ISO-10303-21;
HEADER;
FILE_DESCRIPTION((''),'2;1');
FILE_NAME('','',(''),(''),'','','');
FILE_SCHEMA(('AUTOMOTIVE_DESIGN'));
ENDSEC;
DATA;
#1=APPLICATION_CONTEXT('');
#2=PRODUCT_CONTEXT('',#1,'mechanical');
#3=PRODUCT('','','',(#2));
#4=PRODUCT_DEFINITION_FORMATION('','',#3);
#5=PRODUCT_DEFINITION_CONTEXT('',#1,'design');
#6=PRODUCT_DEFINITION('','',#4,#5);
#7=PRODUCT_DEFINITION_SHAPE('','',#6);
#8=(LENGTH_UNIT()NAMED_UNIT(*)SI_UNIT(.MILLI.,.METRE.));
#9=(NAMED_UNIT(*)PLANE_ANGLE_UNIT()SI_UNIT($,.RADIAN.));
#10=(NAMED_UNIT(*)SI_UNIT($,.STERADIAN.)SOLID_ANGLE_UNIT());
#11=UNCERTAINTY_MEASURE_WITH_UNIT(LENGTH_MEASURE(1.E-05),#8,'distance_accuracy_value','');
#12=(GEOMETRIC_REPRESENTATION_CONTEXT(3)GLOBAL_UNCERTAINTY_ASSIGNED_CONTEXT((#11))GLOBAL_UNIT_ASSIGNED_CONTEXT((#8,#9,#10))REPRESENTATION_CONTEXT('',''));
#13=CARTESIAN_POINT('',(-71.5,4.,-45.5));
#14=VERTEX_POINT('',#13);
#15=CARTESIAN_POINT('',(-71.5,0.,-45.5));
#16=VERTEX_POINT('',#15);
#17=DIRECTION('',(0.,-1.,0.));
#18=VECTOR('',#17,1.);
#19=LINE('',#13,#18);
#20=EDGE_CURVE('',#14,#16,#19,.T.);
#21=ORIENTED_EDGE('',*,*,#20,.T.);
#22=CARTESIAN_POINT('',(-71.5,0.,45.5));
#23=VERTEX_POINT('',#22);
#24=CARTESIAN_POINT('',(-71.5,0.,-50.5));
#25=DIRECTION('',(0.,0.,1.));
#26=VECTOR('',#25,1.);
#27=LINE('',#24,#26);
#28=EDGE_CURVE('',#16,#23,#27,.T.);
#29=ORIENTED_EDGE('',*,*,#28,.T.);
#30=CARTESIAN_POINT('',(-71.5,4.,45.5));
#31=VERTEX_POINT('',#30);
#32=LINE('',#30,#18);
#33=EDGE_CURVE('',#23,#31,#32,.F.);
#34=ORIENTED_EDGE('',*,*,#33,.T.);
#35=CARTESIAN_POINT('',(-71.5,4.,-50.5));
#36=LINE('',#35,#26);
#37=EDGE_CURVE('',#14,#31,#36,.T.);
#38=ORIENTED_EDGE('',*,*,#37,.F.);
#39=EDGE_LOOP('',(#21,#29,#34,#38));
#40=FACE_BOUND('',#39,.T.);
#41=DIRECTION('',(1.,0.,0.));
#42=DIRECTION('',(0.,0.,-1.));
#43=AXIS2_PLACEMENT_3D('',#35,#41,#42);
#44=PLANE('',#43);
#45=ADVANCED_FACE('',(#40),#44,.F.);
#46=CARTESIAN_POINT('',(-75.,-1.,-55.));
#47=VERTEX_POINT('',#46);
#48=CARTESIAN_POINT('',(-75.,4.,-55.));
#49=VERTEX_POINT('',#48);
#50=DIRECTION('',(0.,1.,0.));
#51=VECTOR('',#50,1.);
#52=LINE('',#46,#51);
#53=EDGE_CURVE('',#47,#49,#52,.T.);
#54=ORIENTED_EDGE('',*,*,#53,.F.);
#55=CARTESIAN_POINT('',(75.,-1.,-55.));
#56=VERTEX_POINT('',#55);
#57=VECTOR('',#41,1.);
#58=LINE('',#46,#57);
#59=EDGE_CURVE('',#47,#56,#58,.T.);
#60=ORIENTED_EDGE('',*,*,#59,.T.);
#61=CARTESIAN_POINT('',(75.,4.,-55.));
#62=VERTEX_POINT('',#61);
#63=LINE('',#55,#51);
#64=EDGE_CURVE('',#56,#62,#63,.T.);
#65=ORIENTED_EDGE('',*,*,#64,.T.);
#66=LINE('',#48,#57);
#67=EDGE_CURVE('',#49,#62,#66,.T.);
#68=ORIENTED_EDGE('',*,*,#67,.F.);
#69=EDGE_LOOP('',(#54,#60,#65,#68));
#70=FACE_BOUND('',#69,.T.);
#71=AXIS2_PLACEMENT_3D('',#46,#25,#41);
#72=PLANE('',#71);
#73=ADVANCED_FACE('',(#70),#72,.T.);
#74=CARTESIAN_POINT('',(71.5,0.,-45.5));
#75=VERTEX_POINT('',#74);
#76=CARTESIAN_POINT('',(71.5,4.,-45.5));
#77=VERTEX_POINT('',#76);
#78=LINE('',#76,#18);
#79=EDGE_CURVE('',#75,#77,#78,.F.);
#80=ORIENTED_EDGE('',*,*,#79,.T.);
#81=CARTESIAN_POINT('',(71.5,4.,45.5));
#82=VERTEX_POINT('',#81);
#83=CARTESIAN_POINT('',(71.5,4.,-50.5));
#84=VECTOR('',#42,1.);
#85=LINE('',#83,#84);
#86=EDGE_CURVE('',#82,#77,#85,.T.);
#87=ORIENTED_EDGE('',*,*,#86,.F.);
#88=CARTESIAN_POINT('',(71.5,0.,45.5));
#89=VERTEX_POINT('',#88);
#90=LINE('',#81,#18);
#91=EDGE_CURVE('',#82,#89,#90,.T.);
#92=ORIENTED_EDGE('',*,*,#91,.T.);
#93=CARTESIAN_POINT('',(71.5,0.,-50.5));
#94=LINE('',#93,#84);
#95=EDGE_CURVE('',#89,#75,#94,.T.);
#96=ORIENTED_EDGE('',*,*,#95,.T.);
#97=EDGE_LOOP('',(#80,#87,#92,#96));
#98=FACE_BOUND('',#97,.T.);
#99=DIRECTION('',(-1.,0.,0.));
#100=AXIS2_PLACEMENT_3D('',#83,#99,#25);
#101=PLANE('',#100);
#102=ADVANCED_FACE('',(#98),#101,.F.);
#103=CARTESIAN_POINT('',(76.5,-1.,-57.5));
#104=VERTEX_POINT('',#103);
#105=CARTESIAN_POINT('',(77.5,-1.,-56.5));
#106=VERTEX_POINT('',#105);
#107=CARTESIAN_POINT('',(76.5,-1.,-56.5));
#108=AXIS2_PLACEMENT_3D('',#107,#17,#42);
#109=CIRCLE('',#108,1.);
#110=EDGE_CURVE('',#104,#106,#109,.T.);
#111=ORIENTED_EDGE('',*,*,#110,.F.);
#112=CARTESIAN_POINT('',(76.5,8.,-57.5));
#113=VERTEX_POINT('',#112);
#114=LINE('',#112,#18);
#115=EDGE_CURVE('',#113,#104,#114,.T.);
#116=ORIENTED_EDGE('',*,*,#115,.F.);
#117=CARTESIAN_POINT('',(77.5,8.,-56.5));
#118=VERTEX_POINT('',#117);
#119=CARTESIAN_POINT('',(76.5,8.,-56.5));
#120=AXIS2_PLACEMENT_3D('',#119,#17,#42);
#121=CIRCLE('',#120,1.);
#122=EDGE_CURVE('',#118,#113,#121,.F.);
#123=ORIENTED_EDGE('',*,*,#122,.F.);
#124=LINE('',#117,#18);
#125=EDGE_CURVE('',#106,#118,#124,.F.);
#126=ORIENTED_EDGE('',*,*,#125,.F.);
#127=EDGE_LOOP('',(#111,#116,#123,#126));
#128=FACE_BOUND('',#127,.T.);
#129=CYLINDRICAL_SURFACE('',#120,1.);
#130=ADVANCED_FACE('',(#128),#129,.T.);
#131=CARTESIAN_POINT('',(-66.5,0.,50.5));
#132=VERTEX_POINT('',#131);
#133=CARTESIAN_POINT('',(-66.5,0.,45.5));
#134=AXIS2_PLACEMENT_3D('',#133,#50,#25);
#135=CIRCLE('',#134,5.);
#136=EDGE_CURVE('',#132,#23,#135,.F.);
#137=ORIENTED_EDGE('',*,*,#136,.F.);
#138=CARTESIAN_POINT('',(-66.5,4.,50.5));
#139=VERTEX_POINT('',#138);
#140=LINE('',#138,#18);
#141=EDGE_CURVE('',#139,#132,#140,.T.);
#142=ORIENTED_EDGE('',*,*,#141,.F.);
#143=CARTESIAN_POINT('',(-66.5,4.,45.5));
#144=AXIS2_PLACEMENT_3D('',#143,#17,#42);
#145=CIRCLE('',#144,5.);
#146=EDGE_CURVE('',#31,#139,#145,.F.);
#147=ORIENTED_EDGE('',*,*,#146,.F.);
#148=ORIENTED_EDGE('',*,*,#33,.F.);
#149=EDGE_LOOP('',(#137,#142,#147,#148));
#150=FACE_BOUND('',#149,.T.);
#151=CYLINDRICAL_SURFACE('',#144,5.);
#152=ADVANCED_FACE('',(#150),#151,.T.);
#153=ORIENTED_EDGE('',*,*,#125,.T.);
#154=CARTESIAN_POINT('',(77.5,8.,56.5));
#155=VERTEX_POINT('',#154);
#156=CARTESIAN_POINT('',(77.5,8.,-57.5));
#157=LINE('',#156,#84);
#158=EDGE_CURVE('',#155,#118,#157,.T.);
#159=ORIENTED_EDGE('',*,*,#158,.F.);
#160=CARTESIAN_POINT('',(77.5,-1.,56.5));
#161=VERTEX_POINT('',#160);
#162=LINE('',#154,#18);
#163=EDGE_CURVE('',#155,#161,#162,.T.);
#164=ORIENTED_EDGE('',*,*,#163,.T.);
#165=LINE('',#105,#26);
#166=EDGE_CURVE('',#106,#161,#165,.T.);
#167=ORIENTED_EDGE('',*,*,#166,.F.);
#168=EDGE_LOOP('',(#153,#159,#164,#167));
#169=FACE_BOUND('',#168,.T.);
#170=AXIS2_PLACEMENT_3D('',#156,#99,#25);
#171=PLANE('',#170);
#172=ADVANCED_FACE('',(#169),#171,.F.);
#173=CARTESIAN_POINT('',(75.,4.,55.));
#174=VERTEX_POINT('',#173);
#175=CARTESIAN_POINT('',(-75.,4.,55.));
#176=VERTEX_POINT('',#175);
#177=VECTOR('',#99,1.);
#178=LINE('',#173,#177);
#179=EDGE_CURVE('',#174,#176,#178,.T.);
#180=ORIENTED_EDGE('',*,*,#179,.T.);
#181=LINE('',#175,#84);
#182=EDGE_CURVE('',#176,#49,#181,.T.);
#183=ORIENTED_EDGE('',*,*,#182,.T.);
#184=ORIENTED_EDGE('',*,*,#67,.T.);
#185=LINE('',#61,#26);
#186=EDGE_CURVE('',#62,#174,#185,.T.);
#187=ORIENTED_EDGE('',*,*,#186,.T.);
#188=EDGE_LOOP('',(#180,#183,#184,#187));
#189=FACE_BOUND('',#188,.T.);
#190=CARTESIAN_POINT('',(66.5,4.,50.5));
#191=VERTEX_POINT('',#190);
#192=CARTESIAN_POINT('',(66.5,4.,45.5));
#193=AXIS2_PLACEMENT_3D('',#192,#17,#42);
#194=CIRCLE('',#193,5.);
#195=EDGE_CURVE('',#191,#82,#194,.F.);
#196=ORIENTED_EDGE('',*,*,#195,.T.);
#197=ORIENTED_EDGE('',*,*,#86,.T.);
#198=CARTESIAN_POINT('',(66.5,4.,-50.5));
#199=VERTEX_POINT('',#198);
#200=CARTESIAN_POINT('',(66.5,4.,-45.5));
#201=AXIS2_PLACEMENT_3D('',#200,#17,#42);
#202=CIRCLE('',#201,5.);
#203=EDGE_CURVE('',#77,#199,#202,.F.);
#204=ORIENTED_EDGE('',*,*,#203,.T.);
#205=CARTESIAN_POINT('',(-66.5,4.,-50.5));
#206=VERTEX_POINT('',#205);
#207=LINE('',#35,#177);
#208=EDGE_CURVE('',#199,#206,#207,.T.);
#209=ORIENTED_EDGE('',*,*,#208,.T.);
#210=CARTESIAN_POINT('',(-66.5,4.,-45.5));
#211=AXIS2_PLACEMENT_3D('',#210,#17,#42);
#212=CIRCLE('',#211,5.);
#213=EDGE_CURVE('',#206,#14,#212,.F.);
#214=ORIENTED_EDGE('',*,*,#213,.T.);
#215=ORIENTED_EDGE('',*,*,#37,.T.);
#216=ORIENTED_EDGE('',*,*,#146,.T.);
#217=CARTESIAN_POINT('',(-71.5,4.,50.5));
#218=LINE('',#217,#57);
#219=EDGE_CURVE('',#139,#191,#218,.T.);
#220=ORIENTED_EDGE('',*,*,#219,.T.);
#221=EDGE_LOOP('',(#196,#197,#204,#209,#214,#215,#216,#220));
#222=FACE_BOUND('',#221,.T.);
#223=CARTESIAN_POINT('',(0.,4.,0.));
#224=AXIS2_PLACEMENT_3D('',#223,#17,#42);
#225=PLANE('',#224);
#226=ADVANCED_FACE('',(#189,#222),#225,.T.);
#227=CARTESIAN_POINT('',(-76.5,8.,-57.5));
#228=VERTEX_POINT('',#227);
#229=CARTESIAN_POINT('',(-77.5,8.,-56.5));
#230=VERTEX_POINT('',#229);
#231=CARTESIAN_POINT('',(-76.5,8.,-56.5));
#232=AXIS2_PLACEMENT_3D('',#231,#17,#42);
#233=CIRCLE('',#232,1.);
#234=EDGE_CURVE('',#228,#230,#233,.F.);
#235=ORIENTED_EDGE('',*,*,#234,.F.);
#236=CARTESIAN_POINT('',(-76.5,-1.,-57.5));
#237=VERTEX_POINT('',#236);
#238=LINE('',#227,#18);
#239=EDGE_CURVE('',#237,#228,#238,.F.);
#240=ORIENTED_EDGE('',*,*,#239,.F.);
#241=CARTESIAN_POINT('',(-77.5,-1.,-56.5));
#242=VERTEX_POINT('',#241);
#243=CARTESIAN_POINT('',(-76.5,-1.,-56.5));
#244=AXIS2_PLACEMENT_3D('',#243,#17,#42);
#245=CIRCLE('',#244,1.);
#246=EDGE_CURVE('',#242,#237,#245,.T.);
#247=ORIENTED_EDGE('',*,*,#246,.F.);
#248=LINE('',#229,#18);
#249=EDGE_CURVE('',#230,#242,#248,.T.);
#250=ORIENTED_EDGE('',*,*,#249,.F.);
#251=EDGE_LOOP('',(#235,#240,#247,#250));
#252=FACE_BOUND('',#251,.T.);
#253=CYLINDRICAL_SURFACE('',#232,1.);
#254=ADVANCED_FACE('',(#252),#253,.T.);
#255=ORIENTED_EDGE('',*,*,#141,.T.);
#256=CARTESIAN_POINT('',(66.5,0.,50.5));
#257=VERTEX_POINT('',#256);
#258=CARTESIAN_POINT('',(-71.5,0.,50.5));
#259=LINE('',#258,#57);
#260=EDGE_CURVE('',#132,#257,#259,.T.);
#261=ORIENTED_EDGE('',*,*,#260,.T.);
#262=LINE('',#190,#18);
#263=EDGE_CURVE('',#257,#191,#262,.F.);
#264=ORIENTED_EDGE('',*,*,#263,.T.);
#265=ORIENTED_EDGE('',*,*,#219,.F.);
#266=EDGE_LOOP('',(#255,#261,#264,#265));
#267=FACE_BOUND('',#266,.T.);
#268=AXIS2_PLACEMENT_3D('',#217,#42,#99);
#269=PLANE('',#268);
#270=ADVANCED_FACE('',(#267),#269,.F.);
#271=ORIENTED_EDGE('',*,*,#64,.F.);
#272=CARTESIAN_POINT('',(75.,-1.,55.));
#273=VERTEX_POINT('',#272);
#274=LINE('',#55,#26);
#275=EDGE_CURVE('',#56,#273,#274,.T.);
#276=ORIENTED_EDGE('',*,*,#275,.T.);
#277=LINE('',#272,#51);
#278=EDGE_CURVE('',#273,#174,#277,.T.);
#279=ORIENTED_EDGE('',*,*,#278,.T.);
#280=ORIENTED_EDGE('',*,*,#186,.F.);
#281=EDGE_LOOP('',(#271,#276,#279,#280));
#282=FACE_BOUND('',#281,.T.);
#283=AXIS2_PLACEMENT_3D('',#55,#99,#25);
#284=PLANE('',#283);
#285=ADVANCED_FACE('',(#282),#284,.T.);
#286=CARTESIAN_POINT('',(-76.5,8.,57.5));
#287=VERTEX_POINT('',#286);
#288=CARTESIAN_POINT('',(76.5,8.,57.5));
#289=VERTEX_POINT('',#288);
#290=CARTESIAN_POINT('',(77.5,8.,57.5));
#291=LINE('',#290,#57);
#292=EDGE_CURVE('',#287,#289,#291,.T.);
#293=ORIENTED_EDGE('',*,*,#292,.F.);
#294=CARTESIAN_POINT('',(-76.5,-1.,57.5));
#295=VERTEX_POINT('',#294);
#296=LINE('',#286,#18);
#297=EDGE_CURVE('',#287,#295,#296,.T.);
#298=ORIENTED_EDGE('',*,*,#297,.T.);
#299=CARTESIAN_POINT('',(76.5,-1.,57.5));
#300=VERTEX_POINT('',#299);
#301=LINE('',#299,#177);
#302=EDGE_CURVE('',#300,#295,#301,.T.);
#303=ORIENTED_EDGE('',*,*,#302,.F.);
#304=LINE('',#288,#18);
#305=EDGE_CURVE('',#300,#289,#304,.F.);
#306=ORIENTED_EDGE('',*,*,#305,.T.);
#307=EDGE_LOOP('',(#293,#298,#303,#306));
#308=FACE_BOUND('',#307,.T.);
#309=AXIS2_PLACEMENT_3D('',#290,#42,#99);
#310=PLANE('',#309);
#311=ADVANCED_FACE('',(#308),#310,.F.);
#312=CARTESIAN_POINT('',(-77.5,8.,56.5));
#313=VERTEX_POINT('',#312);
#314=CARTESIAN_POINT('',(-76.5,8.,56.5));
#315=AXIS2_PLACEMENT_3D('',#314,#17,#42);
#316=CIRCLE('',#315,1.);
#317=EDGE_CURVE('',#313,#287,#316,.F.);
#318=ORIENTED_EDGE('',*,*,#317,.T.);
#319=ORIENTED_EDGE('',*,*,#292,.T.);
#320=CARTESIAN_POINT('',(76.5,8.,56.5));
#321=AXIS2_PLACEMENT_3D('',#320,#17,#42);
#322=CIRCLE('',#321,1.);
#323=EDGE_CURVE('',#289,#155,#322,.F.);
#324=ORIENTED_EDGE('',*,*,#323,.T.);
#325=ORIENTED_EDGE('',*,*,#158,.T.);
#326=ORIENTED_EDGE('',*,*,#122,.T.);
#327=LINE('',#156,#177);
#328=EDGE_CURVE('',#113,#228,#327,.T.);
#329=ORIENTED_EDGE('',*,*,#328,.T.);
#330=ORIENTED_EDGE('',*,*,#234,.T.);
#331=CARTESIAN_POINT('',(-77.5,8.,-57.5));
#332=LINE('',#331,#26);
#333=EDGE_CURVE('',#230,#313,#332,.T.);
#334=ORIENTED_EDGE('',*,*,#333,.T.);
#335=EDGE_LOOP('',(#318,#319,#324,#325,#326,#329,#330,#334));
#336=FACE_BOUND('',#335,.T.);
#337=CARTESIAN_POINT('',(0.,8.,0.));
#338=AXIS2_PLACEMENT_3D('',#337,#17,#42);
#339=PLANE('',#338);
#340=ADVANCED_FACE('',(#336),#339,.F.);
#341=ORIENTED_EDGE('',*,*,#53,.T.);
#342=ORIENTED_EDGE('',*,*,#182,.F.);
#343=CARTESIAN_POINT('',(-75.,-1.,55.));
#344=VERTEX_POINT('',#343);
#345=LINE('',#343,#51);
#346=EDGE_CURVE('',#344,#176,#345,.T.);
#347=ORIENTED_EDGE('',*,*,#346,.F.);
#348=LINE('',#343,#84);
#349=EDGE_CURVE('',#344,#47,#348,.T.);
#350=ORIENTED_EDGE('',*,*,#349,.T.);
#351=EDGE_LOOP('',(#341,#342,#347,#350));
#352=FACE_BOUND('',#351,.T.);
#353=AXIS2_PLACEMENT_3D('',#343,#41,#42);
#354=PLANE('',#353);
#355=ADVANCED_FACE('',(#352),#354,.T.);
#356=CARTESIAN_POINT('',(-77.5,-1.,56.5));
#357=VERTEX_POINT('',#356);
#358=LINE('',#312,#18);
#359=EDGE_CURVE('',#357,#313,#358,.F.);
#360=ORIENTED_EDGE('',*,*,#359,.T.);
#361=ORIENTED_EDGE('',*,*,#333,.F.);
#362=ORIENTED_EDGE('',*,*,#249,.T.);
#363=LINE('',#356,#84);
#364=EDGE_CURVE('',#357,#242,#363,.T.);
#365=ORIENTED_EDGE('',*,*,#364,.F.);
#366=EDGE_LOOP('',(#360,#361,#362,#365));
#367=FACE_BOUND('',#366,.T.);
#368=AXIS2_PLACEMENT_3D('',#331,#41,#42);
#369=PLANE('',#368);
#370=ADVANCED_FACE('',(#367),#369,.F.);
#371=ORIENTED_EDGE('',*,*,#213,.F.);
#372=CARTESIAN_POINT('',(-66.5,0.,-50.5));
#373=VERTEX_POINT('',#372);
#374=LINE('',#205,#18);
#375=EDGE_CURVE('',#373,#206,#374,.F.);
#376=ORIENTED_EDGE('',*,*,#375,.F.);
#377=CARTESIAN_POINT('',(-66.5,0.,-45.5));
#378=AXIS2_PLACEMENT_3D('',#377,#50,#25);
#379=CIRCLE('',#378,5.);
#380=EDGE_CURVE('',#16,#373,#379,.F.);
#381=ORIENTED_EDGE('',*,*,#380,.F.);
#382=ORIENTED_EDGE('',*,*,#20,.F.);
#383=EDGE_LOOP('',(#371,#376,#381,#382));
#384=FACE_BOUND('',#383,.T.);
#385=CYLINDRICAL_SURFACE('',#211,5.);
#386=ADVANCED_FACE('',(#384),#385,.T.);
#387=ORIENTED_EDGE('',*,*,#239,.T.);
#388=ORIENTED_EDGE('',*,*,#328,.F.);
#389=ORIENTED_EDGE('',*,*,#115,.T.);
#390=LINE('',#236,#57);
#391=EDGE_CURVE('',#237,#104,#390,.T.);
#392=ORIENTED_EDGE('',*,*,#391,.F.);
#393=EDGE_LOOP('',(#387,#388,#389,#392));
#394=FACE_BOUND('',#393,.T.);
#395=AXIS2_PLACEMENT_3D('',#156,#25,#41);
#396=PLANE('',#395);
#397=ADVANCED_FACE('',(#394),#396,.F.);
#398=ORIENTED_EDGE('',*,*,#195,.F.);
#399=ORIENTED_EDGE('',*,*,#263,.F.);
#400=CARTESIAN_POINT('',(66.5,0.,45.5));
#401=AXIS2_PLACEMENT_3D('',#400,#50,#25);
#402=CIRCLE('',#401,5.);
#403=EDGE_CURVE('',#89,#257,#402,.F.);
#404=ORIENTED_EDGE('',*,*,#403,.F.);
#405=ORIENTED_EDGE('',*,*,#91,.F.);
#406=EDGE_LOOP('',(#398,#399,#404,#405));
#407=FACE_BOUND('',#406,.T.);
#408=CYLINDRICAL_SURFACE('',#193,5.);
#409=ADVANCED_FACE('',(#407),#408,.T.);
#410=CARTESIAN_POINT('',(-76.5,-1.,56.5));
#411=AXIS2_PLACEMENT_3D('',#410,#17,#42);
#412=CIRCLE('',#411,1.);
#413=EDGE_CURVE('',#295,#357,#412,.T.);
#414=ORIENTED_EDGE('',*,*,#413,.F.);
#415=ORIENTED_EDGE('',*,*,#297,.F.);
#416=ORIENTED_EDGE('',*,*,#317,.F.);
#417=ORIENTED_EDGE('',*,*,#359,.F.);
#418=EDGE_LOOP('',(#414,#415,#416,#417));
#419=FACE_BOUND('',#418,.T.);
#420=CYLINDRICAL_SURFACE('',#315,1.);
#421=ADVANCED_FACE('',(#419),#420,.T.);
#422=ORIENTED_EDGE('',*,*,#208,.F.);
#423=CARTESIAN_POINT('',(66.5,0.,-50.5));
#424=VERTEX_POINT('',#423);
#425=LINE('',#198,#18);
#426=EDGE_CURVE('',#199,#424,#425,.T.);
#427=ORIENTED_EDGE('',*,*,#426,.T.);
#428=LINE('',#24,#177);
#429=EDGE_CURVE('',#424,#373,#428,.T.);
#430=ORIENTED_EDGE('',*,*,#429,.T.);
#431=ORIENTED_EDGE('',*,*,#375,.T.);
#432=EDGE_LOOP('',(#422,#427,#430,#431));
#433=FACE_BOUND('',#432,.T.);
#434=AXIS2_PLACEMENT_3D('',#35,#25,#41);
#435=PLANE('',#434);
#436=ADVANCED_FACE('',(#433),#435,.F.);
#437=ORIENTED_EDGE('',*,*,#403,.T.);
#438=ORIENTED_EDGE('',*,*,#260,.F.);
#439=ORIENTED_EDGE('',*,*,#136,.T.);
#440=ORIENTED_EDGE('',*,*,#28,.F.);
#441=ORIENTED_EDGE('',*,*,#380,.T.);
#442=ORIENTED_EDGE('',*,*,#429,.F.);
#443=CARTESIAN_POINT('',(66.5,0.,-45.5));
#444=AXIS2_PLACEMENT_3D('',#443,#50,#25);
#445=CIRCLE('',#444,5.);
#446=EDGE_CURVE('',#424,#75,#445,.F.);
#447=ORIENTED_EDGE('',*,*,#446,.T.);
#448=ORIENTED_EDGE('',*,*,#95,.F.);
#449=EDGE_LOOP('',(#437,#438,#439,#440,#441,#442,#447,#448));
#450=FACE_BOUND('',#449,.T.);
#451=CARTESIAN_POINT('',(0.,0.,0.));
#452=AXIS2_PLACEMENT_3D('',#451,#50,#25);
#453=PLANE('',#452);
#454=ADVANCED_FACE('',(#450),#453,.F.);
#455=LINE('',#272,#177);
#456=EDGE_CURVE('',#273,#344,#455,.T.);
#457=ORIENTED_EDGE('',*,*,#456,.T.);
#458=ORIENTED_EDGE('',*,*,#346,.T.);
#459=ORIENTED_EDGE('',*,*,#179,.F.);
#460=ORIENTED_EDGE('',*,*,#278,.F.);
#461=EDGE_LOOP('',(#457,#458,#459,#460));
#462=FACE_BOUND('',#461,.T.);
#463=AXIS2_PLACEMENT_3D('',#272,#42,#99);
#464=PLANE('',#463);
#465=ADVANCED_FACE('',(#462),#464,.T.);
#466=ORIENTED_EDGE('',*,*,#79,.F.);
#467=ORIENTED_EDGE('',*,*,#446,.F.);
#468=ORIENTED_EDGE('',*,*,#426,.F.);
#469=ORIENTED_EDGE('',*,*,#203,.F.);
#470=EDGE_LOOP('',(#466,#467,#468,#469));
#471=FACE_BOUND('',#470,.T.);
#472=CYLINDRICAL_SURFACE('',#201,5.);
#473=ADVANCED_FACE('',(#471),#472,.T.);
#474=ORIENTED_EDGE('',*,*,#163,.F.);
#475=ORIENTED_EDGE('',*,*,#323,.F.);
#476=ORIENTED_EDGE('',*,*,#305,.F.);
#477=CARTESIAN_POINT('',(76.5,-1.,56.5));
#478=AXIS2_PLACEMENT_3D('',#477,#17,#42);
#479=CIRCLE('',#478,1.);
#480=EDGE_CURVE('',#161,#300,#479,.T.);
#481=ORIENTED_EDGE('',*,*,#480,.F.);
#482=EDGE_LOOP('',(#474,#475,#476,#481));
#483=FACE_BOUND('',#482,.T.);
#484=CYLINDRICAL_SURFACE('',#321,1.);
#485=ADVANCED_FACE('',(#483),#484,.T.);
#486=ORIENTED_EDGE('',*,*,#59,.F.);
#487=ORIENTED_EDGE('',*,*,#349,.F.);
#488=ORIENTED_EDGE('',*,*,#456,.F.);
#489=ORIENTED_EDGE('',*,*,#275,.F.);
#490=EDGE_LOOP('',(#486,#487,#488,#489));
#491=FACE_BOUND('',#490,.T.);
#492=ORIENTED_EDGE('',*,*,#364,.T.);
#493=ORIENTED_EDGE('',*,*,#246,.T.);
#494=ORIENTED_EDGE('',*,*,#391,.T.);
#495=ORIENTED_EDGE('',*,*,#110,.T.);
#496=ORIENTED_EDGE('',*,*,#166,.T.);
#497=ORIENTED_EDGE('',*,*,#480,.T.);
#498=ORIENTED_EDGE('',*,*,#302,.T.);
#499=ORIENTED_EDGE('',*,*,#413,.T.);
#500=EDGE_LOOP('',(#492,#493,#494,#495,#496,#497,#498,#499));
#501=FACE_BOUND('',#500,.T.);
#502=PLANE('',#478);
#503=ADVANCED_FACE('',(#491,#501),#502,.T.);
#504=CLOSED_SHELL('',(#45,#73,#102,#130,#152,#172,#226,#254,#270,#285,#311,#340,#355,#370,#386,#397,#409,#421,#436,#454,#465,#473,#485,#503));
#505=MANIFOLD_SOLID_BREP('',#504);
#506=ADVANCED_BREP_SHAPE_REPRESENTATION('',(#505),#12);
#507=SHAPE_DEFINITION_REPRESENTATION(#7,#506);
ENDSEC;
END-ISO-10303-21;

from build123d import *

# Parameters (mm, degrees)
SKETCH1_W           = 143
SKETCH1_H           = 101
BOSS_EXTRUDE1_DEPTH = 4
SKETCH2_W           = 155
SKETCH2_H           = 115
BOSS_EXTRUDE2_DEPTH = 4
FILLET1_R           = 5
FILLET2_R           = 1
SKETCH3_W           = 150
SKETCH3_H           = 110
BOSS_EXTRUDE3_DEPTH = 5


with BuildPart() as part:
    # Sketch1 → Boss-Extrude1 (new body)
    with BuildSketch(Plane(origin=(0, 0, 0), x_dir=(1, 0, 0), z_dir=(0, 1, 0))):
        Rectangle(SKETCH1_W, SKETCH1_H)
    extrude(amount=BOSS_EXTRUDE1_DEPTH)

    # Sketch2 → Boss-Extrude2 (add)
    with BuildSketch(Plane(origin=(0, 4, 0), x_dir=(1, 0, 0), z_dir=(0, 1, 0))):
        Rectangle(SKETCH2_W, SKETCH2_H)
    extrude(amount=BOSS_EXTRUDE2_DEPTH)

    # Fillet1
    fillet1_edges = [part.edges().sort_by_distance(p)[0] for p in [
        (71.5, 2, 50.5),
        (-71.5, 2, 50.5),
        (-71.5, 2, -50.5),
        (71.5, 2, -50.5),
    ]]
    fillet(fillet1_edges, radius=FILLET1_R)

    # Fillet2
    fillet2_edges = [part.edges().sort_by_distance(p)[0] for p in [
        (-77.5, 6, -57.5),
        (-77.5, 6, 57.5),
        (77.5, 6, 57.5),
        (77.5, 6, -57.5),
    ]]
    fillet(fillet2_edges, radius=FILLET2_R)

    # Sketch3 → Boss-Extrude3 (add)
    with BuildSketch(Plane(origin=(0, 4, 0), x_dir=(-1, 0, 0), z_dir=(0, -1, 0))):
        with BuildLine():
            Line((-76.5, -57.5), (76.5, -57.5))
            ThreePointArc((76.5, -57.5), (77.207106781, -57.207106781), (77.5, -56.5))
            Line((77.5, -56.5), (77.5, 56.5))
            ThreePointArc((77.5, 56.5), (77.207106781, 57.207106781), (76.5, 57.5))
            Line((76.5, 57.5), (-76.5, 57.5))
            ThreePointArc((-76.5, 57.5), (-77.207106781, 57.207106781), (-77.5, 56.5))
            Line((-77.5, 56.5), (-77.5, -56.5))
            ThreePointArc((-77.5, -56.5), (-77.207106781, -57.207106781), (-76.5, -57.5))
        make_face()
        Rectangle(SKETCH3_W, SKETCH3_H, mode=Mode.SUBTRACT)
    extrude(amount=BOSS_EXTRUDE3_DEPTH)


solid = part.part
